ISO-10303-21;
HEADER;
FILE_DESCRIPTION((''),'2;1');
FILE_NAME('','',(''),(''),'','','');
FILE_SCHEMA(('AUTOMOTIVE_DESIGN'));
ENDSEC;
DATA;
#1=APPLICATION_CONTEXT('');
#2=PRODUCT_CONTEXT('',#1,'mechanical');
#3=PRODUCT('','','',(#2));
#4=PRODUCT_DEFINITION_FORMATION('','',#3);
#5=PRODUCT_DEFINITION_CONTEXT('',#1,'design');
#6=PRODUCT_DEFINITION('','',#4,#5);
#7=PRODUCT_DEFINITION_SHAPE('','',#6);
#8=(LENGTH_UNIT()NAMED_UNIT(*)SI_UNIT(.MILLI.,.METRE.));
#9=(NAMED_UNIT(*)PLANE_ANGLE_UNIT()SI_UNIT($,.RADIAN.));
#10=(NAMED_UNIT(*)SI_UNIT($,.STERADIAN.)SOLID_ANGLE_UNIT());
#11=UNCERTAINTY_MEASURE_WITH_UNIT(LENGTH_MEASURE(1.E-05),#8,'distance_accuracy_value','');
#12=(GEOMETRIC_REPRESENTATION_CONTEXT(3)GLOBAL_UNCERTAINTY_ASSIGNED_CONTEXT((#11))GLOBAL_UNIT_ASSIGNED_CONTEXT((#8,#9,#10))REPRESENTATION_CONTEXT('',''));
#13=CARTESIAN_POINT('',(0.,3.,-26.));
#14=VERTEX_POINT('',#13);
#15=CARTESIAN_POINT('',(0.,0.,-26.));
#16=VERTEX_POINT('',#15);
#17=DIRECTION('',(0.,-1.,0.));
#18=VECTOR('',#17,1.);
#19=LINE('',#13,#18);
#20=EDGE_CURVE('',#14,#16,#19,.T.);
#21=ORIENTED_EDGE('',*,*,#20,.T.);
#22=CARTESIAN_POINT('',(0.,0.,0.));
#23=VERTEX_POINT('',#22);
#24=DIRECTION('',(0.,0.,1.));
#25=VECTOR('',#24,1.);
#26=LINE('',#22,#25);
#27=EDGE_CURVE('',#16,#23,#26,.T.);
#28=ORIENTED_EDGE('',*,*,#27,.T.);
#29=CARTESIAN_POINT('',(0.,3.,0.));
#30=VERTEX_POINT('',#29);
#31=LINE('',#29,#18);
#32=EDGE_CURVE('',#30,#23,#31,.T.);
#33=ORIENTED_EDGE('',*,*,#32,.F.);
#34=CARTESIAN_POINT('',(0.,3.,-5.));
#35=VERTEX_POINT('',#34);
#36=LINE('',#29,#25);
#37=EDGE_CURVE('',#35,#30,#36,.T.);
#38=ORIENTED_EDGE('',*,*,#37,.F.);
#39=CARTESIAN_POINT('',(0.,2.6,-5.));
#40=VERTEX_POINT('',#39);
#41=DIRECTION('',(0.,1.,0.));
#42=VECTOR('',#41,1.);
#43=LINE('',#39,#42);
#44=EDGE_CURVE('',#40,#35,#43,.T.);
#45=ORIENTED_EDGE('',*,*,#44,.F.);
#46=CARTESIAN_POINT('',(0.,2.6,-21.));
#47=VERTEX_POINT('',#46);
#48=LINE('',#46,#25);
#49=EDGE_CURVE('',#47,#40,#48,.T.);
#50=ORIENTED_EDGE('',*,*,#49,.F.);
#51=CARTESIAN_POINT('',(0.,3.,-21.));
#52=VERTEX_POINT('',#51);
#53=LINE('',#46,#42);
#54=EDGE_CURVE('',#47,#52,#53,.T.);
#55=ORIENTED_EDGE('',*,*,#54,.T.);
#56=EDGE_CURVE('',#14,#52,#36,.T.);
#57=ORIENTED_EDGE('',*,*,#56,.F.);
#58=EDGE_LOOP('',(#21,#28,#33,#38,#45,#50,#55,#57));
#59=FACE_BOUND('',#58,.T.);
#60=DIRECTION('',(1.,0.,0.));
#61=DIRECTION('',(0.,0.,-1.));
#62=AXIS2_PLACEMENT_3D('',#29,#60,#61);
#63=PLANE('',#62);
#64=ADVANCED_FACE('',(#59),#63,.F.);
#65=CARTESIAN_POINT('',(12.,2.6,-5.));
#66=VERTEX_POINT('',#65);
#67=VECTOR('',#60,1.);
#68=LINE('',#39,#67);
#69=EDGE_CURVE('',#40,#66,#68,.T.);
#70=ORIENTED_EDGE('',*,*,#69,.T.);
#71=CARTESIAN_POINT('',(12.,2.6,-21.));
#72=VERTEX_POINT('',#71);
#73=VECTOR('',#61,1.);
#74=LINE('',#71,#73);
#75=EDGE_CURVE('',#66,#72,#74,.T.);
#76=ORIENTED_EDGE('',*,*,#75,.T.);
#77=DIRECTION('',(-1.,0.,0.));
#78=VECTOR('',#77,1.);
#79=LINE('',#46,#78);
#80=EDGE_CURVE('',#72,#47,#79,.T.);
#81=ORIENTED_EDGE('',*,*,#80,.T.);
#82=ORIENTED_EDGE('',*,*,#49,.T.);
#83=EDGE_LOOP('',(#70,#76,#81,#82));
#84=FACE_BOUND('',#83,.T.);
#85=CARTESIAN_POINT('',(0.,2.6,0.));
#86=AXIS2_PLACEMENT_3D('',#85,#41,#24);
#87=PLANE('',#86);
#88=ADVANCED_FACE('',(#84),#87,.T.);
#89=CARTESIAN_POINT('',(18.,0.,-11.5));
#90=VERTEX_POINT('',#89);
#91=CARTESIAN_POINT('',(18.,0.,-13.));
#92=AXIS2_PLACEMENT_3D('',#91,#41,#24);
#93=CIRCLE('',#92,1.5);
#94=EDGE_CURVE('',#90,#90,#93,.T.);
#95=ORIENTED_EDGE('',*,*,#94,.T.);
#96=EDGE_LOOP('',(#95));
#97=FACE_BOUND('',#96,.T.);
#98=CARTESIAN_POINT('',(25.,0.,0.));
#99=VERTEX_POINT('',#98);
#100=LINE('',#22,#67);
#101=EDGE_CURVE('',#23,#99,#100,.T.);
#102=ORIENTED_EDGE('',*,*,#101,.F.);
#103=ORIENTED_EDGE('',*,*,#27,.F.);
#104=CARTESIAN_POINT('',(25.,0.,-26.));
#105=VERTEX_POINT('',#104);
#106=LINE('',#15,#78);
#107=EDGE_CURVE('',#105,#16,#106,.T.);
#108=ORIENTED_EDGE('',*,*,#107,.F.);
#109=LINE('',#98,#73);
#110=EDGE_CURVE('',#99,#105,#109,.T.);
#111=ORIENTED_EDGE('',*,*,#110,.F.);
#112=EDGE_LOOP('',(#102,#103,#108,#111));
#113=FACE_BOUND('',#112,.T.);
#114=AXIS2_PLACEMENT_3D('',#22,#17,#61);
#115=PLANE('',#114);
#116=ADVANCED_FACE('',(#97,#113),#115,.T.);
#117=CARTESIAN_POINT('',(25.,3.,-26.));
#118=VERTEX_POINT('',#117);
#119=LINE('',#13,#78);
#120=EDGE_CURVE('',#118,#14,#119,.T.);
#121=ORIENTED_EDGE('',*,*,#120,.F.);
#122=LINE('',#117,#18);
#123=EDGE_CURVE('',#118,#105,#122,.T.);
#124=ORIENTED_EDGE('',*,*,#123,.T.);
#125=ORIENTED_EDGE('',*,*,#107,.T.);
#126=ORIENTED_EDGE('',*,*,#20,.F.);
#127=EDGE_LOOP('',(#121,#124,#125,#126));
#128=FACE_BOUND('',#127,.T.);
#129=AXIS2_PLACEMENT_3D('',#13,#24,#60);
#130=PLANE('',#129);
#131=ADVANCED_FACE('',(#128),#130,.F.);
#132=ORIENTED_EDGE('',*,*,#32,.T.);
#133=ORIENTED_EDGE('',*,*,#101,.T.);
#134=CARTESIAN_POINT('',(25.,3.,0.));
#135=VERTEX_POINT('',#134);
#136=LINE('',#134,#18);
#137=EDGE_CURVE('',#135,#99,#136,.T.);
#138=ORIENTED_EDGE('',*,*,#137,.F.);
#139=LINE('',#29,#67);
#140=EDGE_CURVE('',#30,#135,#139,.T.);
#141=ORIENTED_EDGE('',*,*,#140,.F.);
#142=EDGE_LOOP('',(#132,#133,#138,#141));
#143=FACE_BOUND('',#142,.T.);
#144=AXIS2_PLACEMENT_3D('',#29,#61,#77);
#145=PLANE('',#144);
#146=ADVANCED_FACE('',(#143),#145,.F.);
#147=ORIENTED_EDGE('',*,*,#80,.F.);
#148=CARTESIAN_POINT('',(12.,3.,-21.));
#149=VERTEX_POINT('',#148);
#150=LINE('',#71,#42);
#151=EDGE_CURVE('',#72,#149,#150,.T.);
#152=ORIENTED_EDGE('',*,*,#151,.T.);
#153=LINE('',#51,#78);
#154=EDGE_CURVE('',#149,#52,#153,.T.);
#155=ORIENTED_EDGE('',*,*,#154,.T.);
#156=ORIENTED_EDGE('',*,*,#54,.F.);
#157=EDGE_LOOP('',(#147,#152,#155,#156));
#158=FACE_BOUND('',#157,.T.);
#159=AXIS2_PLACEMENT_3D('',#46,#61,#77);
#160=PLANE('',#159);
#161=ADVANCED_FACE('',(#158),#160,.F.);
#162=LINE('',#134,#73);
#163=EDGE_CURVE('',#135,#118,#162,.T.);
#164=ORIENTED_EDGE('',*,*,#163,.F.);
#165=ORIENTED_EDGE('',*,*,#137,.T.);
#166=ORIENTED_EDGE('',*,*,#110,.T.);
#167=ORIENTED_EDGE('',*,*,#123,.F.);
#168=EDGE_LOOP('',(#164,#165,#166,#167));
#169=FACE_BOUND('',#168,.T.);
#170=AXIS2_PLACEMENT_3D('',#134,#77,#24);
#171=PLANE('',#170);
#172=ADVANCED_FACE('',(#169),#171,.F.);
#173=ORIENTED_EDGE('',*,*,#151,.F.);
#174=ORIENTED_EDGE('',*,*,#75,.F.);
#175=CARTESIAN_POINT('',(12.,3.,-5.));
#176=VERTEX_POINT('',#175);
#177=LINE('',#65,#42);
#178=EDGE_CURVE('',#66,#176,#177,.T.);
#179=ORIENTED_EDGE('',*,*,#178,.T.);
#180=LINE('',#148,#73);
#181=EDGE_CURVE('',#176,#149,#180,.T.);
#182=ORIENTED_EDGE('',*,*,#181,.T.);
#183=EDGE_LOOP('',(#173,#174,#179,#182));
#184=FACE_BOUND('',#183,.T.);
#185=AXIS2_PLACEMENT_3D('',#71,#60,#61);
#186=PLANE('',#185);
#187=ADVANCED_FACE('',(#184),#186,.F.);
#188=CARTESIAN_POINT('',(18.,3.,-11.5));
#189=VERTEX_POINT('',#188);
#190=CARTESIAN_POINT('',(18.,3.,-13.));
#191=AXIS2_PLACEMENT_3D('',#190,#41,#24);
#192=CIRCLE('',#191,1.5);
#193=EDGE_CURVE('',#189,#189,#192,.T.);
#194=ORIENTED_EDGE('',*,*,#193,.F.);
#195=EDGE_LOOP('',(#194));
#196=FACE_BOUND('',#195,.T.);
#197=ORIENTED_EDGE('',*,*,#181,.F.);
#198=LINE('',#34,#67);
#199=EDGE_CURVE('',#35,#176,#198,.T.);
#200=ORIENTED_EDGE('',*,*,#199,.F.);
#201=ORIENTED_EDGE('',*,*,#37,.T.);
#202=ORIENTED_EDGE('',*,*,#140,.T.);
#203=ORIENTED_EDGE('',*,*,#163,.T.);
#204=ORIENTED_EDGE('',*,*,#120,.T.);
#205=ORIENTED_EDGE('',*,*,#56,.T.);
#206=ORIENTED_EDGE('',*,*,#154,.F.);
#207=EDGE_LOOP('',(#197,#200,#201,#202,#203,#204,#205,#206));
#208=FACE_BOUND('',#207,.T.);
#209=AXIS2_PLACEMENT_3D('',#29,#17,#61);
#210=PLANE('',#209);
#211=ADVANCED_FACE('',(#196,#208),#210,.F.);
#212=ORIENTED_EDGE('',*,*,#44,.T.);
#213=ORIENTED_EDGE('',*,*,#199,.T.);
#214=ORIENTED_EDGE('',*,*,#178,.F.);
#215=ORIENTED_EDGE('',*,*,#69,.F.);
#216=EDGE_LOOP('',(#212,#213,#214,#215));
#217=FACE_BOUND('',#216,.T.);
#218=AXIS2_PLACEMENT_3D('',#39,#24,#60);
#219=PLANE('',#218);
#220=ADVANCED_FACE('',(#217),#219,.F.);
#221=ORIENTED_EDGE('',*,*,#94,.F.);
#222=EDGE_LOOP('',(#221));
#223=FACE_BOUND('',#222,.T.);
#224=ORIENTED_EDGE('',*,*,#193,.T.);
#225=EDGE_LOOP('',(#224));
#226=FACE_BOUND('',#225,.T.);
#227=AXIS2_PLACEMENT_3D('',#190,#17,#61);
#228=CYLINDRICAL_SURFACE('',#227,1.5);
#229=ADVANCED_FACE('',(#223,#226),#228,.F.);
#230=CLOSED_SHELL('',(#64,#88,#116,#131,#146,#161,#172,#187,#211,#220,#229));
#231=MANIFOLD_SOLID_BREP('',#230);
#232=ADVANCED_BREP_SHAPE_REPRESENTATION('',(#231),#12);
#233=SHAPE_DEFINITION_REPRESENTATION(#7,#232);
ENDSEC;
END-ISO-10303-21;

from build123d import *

# Parameters (mm, degrees)
SKETCH2_W           = 25
SKETCH2_H           = 26
SKETCH2_R           = 1.5
BOSS_EXTRUDE1_DEPTH = 3
SKETCH4_W           = 12
SKETCH4_H           = 16
CUT_EXTRUDE1_DEPTH  = 0.4


with BuildPart() as part:
    # Sketch2 → Boss-Extrude1 (new body)
    with BuildSketch(Plane(origin=(0, 0, 0), x_dir=(1, 0, 0), z_dir=(0, 1, 0))):
        with Locations((12.5, 13)):
            Rectangle(SKETCH2_W, SKETCH2_H)
        with Locations(Location((18, 13, 0), (0, 0, 270))):
            Circle(SKETCH2_R, mode=Mode.SUBTRACT)
    extrude(amount=BOSS_EXTRUDE1_DEPTH)

    # Sketch4 → Cut-Extrude1 (cut)
    with BuildSketch(Plane(origin=(0, 3, 0), x_dir=(1, 0, 0), z_dir=(0, 1, 0))):
        with Locations((6, 13)):
            Rectangle(SKETCH4_W, SKETCH4_H)
    extrude(amount=-CUT_EXTRUDE1_DEPTH, mode=Mode.SUBTRACT)


solid = part.part
